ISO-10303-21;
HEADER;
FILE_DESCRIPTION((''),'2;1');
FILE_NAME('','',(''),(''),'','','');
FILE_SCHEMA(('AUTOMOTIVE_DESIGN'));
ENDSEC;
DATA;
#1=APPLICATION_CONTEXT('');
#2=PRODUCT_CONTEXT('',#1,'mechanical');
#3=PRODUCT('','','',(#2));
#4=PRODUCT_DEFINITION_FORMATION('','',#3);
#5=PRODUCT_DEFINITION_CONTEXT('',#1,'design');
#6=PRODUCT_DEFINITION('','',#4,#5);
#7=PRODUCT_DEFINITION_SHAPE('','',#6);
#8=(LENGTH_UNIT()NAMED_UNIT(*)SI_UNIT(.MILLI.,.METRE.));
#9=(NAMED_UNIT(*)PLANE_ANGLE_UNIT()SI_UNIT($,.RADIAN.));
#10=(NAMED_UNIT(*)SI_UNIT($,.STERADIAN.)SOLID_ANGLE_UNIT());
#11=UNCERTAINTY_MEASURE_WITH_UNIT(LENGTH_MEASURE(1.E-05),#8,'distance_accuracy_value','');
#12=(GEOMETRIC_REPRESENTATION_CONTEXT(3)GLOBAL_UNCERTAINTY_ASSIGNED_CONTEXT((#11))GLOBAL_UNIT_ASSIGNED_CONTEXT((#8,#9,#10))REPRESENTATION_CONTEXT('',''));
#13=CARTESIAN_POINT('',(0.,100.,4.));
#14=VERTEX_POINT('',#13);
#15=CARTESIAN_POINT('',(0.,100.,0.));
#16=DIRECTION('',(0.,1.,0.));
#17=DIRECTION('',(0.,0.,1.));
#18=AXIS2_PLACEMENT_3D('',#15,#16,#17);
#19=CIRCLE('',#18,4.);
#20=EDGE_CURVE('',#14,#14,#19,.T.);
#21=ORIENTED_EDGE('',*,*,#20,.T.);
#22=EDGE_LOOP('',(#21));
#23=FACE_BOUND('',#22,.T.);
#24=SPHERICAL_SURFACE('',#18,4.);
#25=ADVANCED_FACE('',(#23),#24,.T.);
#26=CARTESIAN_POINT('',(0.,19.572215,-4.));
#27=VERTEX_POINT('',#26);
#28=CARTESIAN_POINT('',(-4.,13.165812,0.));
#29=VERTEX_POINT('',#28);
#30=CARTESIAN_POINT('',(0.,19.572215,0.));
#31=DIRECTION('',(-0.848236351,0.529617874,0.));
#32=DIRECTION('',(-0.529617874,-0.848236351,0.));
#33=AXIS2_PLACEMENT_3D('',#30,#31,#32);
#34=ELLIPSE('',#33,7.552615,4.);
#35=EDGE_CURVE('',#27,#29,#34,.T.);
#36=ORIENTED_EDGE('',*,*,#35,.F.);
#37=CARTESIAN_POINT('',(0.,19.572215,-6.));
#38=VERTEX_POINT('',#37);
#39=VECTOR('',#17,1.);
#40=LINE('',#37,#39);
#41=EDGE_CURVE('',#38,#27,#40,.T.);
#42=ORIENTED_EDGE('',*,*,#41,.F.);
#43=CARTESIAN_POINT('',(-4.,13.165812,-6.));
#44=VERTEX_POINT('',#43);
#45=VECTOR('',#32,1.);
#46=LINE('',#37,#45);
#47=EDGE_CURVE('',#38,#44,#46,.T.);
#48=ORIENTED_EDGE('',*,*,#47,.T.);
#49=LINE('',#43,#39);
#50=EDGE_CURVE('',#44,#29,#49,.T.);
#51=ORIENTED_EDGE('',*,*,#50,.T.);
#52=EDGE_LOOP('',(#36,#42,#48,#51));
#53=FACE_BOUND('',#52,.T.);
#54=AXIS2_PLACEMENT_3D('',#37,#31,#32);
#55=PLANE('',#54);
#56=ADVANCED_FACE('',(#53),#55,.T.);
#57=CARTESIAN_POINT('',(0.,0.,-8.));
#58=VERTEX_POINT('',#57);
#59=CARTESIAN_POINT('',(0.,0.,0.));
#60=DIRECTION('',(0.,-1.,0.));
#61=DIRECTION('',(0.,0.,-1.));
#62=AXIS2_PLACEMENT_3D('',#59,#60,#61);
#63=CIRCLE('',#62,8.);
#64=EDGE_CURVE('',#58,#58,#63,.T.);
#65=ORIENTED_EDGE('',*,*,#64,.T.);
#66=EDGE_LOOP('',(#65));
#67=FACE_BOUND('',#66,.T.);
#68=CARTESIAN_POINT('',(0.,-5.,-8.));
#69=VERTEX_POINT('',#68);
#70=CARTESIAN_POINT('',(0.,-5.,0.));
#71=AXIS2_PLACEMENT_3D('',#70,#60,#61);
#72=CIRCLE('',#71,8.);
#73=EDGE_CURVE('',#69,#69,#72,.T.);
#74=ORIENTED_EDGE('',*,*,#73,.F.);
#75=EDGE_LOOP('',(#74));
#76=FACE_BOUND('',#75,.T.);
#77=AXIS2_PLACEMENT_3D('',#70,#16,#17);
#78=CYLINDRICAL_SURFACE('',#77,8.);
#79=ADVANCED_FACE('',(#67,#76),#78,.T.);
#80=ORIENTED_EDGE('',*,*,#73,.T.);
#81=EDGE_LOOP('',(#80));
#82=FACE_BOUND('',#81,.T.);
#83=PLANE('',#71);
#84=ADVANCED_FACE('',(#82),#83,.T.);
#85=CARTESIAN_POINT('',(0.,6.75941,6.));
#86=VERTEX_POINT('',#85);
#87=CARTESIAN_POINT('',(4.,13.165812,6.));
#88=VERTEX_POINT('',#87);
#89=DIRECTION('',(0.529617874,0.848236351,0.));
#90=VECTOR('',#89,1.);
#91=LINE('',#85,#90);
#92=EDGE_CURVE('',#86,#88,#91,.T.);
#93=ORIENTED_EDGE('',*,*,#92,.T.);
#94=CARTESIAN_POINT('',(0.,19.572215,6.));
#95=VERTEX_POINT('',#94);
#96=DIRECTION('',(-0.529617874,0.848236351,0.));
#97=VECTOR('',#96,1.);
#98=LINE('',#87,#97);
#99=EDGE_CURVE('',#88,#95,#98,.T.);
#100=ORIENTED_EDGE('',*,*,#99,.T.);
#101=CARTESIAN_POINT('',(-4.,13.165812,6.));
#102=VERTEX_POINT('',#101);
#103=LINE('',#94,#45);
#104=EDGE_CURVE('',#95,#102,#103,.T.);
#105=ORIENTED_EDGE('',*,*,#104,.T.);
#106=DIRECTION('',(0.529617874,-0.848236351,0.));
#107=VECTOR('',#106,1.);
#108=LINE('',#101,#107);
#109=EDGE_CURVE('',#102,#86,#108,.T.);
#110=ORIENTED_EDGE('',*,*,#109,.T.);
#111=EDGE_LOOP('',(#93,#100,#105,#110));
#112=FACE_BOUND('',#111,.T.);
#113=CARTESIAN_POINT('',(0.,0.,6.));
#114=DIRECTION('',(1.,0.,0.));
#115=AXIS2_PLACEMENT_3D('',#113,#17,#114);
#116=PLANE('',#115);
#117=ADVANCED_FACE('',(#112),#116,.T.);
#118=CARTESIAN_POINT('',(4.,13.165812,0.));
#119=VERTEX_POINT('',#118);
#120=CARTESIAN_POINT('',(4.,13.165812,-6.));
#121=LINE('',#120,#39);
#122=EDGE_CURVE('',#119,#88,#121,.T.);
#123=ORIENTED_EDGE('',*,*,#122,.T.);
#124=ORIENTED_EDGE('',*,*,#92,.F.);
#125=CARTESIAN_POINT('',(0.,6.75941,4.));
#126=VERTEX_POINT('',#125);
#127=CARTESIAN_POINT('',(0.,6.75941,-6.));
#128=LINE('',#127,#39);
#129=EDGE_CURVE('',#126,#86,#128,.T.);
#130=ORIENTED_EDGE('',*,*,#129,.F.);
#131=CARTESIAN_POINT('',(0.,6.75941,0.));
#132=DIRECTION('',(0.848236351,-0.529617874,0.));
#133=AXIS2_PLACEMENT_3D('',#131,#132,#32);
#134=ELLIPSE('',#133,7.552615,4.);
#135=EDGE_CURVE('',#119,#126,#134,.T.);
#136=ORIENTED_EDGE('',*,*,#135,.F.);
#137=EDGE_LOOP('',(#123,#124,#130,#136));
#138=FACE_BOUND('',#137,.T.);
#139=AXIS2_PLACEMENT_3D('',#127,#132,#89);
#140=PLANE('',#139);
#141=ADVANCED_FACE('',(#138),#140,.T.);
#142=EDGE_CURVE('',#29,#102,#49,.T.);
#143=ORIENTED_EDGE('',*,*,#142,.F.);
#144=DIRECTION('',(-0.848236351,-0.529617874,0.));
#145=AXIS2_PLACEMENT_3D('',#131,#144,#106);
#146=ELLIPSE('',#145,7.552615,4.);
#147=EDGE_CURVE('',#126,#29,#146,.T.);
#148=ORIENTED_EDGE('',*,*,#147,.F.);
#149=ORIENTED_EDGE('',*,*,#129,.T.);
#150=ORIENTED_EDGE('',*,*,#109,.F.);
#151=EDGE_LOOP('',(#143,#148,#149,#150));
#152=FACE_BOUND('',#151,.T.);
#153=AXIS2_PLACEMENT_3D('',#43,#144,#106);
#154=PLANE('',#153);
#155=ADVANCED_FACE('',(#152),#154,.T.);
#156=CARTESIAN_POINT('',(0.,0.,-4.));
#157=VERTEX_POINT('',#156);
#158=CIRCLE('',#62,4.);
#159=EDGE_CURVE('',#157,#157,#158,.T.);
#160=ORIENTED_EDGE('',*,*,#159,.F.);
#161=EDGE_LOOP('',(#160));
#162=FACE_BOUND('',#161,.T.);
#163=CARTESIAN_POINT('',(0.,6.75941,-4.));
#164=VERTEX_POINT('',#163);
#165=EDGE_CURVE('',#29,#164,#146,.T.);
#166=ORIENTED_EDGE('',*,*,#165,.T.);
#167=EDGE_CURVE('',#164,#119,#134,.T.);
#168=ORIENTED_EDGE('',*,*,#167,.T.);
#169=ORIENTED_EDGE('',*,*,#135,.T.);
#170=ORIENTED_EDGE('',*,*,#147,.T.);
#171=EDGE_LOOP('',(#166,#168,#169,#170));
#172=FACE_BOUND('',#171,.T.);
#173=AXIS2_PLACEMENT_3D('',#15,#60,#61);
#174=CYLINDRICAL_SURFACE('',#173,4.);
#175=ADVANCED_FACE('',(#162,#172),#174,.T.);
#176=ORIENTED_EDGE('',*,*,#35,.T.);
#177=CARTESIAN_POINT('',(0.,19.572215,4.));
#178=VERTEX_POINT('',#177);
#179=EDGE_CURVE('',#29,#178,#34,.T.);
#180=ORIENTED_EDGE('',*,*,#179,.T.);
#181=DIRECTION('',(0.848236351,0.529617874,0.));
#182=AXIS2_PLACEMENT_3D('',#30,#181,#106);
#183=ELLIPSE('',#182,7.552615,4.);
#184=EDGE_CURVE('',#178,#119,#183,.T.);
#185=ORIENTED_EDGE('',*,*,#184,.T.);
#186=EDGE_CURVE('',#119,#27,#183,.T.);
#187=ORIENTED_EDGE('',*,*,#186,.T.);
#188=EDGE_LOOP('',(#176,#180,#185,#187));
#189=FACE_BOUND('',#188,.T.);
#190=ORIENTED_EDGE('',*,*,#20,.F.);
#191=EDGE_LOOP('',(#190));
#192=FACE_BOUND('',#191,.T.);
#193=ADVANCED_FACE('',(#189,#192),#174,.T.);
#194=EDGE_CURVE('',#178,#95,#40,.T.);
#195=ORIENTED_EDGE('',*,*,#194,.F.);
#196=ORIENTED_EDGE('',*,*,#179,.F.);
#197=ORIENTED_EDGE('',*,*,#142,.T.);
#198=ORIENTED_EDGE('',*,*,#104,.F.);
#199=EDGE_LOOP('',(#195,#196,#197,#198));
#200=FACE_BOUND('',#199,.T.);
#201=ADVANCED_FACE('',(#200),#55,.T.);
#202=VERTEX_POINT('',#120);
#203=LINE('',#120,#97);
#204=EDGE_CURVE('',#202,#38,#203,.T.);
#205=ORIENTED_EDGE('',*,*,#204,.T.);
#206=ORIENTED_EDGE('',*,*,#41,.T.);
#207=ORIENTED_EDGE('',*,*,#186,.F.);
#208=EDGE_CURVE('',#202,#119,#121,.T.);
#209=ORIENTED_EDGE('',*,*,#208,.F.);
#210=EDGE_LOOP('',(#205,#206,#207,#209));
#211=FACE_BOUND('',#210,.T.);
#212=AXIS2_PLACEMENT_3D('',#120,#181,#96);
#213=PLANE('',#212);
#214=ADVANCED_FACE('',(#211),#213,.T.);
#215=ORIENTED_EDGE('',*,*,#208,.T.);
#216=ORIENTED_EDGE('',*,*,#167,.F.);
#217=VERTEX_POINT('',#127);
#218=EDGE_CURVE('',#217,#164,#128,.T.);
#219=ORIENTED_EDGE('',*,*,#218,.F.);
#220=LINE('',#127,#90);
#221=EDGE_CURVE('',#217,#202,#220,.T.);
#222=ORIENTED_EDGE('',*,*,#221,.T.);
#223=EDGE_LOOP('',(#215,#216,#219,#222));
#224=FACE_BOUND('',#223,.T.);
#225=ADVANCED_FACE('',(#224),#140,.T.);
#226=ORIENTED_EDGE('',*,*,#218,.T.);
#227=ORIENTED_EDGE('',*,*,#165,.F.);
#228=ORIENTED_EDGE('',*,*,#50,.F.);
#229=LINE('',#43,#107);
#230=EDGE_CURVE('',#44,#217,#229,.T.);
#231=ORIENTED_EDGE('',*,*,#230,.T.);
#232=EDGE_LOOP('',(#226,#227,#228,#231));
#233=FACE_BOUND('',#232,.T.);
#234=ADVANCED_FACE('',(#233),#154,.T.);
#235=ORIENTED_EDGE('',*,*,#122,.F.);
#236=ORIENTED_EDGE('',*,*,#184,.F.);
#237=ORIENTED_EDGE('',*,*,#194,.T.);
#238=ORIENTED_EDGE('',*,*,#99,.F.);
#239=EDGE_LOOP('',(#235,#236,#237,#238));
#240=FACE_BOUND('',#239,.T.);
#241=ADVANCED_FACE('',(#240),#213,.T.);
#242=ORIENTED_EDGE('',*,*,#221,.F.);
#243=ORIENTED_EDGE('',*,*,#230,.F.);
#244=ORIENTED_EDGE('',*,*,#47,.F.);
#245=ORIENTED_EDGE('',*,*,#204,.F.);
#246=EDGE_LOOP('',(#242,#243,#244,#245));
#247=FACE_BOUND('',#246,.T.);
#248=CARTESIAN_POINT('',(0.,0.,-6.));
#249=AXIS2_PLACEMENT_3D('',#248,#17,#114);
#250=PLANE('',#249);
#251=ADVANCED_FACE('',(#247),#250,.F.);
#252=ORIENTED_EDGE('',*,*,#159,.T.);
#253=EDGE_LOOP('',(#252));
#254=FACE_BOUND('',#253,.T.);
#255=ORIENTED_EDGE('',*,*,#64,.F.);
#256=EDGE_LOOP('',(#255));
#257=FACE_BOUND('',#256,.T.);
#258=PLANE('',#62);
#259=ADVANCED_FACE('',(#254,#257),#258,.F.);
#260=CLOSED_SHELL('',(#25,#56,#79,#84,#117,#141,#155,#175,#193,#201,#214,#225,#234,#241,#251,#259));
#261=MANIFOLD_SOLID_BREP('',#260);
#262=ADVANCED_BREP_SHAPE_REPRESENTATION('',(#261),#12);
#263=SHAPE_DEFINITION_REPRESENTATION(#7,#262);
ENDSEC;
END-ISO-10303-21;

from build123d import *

# Parameters (mm, degrees)
SKETCH1_R                = 4
BOSS_EXTRUDE1_DEPTH      = 100
DOME1_FACE_RADIUS        = 4
DOME1_HEIGHT             = 4
SKETCH2_R                = 8
BOSS_EXTRUDE2_DEPTH      = 5
BOSS_EXTRUDE3_DEPTH      = 6
BOSS_EXTRUDE3_DEPTH_BACK = 6


with BuildPart() as part:
    # Sketch1 → Boss-Extrude1 (new body)
    with BuildSketch(Plane(origin=(0, 0, 0), x_dir=(1, 0, 0), z_dir=(0, 1, 0))):
        Circle(SKETCH1_R)
    extrude(amount=BOSS_EXTRUDE1_DEPTH)

    # Dome1: a dome of height H over a round flat face of radius A is a cap of a sphere of radius (A * A + H * H) / (2 * H)
    dome1_r = (DOME1_FACE_RADIUS * DOME1_FACE_RADIUS + DOME1_HEIGHT * DOME1_HEIGHT) / (2 * DOME1_HEIGHT)
    dome1_base = Plane((0, 100, 0), z_dir=(0, 1, 0))
    with Locations(dome1_base.offset(DOME1_HEIGHT - dome1_r)):
        dome1_ball = Sphere(dome1_r, mode=Mode.PRIVATE)
    add(split(dome1_ball, bisect_by=dome1_base, keep=Keep.TOP, mode=Mode.PRIVATE))

    # Sketch2 → Boss-Extrude2 (add)
    with BuildSketch(Plane.XZ):
        Circle(SKETCH2_R)
    extrude(amount=BOSS_EXTRUDE2_DEPTH)

    # Sketch3 → Boss-Extrude3 (add, two sides)
    with BuildSketch(Plane.XY) as boss_extrude3_sk:
        Polygon((-4, 13.165812433), (0, 6.759409677), (4, 13.165812433), (0, 19.572215189), align=None)
    extrude(amount=BOSS_EXTRUDE3_DEPTH)
    extrude(boss_extrude3_sk.sketch, amount=-BOSS_EXTRUDE3_DEPTH_BACK)


solid = part.part
